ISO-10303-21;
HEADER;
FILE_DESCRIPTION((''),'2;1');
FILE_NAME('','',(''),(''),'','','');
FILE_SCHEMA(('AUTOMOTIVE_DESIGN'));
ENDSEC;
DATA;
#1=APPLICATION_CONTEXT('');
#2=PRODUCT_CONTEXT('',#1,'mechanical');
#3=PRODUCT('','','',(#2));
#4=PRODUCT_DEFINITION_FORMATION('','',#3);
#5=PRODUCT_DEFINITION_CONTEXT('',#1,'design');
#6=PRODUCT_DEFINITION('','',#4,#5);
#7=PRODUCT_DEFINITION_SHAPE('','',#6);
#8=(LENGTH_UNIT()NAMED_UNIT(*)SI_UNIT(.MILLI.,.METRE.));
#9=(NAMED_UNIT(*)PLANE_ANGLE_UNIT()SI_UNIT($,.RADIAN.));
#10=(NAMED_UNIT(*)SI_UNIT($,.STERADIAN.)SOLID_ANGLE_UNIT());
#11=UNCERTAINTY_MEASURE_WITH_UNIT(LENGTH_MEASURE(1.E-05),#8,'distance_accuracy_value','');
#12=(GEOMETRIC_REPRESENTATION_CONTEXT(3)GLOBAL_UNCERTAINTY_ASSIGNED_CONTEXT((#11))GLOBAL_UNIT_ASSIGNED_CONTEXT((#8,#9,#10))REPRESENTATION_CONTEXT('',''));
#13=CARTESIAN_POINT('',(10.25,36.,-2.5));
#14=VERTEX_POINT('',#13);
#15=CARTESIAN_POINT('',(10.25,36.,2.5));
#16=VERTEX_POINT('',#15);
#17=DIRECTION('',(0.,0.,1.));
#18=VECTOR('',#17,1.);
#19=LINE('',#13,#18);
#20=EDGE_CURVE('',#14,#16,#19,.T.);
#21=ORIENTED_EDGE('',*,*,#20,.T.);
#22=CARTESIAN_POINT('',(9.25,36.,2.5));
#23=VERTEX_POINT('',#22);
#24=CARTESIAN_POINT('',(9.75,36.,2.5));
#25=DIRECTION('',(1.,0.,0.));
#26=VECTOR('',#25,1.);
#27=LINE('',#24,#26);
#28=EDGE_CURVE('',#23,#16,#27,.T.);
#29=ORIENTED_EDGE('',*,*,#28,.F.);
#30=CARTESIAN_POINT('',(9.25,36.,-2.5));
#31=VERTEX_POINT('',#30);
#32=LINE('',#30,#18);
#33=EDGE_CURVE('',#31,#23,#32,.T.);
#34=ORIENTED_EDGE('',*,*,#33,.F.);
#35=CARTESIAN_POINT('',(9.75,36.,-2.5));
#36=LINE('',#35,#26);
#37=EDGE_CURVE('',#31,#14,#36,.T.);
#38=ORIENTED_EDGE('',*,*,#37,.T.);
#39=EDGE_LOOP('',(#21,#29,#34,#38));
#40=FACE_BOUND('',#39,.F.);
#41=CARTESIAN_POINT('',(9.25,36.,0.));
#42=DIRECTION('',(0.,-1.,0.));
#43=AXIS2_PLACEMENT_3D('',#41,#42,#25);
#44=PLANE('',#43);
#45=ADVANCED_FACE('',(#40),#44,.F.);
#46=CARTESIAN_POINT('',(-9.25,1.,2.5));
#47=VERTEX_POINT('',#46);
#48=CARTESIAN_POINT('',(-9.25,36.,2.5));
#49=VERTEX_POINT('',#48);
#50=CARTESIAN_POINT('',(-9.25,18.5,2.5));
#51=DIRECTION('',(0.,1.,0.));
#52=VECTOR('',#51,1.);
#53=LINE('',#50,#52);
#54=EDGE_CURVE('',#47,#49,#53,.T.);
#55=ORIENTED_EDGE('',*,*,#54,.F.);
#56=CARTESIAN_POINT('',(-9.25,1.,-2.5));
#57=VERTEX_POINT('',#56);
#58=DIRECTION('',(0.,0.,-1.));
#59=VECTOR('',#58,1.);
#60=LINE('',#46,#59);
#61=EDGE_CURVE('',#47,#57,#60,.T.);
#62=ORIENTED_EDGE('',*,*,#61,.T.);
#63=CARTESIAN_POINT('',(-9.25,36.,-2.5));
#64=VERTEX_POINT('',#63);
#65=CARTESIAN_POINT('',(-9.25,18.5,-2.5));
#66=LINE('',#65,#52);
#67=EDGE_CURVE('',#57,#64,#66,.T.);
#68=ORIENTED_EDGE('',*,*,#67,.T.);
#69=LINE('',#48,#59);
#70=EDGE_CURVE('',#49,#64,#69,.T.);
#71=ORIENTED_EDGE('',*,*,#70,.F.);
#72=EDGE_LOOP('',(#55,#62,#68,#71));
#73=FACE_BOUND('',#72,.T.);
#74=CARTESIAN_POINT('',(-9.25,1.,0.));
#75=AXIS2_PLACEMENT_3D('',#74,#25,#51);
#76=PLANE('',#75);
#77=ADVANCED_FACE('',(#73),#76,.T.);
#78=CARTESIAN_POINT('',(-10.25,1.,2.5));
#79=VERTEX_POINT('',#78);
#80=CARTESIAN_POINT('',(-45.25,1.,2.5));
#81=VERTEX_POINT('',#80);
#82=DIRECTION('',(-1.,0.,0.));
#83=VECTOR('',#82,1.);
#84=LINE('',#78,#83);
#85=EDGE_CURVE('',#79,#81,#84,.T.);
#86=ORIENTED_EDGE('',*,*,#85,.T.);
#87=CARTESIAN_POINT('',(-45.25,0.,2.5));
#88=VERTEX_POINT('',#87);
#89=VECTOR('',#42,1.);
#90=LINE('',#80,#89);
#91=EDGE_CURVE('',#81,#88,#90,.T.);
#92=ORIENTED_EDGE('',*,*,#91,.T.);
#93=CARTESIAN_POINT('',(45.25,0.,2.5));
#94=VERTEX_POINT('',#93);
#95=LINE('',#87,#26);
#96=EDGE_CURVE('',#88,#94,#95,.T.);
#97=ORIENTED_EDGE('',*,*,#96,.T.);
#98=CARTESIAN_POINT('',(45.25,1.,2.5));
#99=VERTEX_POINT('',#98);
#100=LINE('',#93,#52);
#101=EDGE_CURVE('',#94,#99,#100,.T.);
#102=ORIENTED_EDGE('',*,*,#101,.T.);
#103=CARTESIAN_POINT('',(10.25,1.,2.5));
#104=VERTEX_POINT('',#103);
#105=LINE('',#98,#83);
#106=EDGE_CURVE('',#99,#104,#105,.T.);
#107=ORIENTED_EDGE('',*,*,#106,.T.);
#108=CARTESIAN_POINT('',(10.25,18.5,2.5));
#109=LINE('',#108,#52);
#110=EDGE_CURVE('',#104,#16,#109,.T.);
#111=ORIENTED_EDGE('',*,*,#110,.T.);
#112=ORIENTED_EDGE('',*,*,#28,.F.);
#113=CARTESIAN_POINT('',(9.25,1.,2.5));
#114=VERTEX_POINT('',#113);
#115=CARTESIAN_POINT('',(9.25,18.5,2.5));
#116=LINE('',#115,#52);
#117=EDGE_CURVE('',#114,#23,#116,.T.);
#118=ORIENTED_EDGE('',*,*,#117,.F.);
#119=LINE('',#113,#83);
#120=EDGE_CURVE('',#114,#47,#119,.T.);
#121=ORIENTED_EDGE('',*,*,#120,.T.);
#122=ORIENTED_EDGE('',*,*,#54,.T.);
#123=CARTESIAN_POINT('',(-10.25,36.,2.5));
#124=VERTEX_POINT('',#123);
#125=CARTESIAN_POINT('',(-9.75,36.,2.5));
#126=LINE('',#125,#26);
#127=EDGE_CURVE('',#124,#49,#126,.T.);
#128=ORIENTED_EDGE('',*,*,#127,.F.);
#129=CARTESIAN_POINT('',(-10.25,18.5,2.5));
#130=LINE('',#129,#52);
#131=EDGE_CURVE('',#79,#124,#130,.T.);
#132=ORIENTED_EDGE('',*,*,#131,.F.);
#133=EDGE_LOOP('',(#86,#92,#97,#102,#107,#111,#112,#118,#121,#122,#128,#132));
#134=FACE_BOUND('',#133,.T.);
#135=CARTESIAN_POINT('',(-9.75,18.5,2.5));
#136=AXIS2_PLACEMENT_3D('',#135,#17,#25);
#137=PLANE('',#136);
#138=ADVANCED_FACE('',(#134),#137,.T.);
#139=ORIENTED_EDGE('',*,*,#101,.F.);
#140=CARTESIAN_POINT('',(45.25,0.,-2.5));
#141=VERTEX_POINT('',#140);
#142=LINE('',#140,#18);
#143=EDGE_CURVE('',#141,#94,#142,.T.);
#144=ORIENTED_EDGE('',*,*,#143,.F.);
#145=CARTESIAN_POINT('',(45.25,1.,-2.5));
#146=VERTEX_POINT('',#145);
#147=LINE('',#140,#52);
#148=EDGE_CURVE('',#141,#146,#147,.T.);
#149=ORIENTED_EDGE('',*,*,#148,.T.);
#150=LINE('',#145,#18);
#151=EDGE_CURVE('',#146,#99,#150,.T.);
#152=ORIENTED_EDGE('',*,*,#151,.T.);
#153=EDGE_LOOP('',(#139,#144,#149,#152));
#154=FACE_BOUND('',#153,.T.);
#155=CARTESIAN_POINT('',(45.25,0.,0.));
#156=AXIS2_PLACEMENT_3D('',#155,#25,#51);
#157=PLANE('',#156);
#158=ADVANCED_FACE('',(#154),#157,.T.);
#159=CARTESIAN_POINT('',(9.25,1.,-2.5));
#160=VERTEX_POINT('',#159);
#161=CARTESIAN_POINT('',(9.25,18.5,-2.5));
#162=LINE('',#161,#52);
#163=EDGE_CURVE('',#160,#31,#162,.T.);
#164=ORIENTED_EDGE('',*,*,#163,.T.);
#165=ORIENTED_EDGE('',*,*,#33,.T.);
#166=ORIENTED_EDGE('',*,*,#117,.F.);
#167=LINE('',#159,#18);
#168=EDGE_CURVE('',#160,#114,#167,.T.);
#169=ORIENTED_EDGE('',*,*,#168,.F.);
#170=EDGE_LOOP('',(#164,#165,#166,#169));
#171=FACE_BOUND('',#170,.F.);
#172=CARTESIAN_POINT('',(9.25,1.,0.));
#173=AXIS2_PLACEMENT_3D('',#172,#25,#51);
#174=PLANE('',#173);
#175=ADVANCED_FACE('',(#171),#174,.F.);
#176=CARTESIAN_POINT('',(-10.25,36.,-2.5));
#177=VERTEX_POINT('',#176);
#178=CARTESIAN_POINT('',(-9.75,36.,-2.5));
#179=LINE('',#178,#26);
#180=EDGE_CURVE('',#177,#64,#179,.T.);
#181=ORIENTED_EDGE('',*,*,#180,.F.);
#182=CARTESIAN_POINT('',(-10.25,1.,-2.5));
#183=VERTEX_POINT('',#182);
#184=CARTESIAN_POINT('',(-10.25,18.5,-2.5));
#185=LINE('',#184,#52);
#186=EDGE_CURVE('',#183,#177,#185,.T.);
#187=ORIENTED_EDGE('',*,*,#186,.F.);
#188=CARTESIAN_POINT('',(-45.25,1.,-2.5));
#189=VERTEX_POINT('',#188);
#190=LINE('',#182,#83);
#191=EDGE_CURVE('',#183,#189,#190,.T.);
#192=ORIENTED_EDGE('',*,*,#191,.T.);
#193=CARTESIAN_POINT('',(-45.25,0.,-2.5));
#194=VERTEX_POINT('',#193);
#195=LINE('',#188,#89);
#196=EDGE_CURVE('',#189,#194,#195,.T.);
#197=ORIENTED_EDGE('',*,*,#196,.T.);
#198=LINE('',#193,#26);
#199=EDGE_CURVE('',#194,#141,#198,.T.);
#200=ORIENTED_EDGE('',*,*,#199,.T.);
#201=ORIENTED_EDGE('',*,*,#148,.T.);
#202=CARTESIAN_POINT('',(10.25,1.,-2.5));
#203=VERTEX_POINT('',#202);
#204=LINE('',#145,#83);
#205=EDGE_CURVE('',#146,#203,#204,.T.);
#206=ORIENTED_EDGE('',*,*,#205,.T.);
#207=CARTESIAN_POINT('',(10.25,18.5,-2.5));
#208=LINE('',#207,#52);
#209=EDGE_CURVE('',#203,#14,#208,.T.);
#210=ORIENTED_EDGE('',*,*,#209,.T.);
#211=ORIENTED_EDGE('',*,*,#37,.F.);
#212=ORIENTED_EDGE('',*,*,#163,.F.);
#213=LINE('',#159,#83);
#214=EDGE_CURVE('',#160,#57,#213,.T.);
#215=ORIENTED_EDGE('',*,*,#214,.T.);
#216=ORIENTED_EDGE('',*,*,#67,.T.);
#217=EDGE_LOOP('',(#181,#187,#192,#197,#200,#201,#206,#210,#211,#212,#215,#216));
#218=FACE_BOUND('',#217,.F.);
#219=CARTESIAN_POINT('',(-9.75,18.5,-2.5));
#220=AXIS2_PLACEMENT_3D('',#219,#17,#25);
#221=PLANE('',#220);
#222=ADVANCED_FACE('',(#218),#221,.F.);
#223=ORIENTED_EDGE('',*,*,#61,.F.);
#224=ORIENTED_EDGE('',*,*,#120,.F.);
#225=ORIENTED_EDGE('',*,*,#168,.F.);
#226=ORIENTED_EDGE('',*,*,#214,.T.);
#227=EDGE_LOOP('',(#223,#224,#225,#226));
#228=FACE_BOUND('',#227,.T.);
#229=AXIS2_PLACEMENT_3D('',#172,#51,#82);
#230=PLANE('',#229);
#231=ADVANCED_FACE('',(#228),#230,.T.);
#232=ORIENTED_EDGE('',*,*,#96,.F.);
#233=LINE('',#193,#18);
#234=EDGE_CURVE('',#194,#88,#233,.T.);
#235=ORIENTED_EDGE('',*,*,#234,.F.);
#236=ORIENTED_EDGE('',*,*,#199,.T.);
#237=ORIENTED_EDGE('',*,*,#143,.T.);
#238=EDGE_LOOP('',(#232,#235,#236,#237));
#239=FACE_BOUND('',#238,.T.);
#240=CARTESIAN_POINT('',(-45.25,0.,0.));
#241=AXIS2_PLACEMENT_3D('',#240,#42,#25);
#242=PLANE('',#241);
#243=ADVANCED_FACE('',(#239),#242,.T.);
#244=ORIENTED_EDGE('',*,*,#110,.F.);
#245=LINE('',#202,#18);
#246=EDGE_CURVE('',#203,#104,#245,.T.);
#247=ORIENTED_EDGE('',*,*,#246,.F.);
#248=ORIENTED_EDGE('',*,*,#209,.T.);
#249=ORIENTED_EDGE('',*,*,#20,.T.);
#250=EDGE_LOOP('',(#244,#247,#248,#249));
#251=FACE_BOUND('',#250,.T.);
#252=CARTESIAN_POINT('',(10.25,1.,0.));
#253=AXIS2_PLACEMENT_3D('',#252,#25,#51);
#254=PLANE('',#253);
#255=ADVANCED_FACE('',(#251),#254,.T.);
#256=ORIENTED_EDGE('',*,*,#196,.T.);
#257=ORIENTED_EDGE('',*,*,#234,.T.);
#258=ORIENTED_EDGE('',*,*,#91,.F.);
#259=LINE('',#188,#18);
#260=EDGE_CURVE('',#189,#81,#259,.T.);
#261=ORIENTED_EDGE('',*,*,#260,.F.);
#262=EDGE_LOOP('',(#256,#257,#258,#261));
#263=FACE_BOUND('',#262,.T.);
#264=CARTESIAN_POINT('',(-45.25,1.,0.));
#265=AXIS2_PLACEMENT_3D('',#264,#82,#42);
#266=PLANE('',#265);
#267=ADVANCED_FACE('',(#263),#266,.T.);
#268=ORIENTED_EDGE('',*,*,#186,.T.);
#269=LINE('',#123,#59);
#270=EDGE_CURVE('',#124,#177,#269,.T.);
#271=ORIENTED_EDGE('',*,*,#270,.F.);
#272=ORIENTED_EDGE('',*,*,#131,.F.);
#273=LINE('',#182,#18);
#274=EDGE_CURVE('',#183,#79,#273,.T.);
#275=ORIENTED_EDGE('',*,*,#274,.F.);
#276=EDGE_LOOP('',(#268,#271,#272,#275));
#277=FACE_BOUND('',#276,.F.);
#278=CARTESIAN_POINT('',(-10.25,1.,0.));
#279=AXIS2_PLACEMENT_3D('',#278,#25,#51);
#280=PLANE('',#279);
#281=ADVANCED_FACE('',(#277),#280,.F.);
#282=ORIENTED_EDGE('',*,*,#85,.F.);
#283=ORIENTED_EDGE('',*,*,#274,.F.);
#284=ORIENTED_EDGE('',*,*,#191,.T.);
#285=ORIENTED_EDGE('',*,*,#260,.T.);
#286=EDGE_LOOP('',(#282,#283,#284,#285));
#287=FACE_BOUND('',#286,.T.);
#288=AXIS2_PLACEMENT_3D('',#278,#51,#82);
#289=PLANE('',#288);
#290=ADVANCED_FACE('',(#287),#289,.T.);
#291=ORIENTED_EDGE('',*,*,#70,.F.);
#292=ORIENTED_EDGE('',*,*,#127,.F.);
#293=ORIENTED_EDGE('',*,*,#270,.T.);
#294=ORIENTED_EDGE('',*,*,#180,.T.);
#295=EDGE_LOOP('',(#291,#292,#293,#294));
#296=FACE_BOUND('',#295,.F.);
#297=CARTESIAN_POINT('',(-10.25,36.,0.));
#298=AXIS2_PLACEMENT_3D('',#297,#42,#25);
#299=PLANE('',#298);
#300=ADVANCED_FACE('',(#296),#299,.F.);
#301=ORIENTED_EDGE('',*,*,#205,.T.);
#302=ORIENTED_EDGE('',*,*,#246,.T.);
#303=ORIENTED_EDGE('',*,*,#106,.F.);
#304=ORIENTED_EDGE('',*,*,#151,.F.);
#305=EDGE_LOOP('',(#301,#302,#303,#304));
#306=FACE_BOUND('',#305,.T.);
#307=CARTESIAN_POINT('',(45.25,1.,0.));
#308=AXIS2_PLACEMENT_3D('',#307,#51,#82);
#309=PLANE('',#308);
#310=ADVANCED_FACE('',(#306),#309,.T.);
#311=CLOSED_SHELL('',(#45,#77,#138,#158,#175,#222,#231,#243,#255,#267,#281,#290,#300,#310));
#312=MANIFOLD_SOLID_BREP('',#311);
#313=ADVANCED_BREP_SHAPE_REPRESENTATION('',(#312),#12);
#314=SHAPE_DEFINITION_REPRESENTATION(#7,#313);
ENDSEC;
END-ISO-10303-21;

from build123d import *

# Parameters (mm, degrees)
F0_W     = 1
F0_H     = 35
F1_DEPTH = 2.5


with BuildPart() as f1:
    # F0 (on Top) → F1 (new body, symmetric)
    with BuildSketch(Plane.XY):
        with Locations((-9.75, 18.5)):
            Rectangle(F0_W, F0_H)
        with Locations((9.75, 18.5)):
            Rectangle(F0_W, F0_H)
        Polygon((0, 1), (0, 0), (45.25, 0), (45.25, 1), (10.25, 1), (9.25, 1), align=None)
        Polygon((-45.25, 0), (0, 0), (0, 1), (-9.25, 1), (-10.25, 1), (-45.25, 1), align=None)
    extrude(amount=F1_DEPTH, both=True)


solid = f1.part
